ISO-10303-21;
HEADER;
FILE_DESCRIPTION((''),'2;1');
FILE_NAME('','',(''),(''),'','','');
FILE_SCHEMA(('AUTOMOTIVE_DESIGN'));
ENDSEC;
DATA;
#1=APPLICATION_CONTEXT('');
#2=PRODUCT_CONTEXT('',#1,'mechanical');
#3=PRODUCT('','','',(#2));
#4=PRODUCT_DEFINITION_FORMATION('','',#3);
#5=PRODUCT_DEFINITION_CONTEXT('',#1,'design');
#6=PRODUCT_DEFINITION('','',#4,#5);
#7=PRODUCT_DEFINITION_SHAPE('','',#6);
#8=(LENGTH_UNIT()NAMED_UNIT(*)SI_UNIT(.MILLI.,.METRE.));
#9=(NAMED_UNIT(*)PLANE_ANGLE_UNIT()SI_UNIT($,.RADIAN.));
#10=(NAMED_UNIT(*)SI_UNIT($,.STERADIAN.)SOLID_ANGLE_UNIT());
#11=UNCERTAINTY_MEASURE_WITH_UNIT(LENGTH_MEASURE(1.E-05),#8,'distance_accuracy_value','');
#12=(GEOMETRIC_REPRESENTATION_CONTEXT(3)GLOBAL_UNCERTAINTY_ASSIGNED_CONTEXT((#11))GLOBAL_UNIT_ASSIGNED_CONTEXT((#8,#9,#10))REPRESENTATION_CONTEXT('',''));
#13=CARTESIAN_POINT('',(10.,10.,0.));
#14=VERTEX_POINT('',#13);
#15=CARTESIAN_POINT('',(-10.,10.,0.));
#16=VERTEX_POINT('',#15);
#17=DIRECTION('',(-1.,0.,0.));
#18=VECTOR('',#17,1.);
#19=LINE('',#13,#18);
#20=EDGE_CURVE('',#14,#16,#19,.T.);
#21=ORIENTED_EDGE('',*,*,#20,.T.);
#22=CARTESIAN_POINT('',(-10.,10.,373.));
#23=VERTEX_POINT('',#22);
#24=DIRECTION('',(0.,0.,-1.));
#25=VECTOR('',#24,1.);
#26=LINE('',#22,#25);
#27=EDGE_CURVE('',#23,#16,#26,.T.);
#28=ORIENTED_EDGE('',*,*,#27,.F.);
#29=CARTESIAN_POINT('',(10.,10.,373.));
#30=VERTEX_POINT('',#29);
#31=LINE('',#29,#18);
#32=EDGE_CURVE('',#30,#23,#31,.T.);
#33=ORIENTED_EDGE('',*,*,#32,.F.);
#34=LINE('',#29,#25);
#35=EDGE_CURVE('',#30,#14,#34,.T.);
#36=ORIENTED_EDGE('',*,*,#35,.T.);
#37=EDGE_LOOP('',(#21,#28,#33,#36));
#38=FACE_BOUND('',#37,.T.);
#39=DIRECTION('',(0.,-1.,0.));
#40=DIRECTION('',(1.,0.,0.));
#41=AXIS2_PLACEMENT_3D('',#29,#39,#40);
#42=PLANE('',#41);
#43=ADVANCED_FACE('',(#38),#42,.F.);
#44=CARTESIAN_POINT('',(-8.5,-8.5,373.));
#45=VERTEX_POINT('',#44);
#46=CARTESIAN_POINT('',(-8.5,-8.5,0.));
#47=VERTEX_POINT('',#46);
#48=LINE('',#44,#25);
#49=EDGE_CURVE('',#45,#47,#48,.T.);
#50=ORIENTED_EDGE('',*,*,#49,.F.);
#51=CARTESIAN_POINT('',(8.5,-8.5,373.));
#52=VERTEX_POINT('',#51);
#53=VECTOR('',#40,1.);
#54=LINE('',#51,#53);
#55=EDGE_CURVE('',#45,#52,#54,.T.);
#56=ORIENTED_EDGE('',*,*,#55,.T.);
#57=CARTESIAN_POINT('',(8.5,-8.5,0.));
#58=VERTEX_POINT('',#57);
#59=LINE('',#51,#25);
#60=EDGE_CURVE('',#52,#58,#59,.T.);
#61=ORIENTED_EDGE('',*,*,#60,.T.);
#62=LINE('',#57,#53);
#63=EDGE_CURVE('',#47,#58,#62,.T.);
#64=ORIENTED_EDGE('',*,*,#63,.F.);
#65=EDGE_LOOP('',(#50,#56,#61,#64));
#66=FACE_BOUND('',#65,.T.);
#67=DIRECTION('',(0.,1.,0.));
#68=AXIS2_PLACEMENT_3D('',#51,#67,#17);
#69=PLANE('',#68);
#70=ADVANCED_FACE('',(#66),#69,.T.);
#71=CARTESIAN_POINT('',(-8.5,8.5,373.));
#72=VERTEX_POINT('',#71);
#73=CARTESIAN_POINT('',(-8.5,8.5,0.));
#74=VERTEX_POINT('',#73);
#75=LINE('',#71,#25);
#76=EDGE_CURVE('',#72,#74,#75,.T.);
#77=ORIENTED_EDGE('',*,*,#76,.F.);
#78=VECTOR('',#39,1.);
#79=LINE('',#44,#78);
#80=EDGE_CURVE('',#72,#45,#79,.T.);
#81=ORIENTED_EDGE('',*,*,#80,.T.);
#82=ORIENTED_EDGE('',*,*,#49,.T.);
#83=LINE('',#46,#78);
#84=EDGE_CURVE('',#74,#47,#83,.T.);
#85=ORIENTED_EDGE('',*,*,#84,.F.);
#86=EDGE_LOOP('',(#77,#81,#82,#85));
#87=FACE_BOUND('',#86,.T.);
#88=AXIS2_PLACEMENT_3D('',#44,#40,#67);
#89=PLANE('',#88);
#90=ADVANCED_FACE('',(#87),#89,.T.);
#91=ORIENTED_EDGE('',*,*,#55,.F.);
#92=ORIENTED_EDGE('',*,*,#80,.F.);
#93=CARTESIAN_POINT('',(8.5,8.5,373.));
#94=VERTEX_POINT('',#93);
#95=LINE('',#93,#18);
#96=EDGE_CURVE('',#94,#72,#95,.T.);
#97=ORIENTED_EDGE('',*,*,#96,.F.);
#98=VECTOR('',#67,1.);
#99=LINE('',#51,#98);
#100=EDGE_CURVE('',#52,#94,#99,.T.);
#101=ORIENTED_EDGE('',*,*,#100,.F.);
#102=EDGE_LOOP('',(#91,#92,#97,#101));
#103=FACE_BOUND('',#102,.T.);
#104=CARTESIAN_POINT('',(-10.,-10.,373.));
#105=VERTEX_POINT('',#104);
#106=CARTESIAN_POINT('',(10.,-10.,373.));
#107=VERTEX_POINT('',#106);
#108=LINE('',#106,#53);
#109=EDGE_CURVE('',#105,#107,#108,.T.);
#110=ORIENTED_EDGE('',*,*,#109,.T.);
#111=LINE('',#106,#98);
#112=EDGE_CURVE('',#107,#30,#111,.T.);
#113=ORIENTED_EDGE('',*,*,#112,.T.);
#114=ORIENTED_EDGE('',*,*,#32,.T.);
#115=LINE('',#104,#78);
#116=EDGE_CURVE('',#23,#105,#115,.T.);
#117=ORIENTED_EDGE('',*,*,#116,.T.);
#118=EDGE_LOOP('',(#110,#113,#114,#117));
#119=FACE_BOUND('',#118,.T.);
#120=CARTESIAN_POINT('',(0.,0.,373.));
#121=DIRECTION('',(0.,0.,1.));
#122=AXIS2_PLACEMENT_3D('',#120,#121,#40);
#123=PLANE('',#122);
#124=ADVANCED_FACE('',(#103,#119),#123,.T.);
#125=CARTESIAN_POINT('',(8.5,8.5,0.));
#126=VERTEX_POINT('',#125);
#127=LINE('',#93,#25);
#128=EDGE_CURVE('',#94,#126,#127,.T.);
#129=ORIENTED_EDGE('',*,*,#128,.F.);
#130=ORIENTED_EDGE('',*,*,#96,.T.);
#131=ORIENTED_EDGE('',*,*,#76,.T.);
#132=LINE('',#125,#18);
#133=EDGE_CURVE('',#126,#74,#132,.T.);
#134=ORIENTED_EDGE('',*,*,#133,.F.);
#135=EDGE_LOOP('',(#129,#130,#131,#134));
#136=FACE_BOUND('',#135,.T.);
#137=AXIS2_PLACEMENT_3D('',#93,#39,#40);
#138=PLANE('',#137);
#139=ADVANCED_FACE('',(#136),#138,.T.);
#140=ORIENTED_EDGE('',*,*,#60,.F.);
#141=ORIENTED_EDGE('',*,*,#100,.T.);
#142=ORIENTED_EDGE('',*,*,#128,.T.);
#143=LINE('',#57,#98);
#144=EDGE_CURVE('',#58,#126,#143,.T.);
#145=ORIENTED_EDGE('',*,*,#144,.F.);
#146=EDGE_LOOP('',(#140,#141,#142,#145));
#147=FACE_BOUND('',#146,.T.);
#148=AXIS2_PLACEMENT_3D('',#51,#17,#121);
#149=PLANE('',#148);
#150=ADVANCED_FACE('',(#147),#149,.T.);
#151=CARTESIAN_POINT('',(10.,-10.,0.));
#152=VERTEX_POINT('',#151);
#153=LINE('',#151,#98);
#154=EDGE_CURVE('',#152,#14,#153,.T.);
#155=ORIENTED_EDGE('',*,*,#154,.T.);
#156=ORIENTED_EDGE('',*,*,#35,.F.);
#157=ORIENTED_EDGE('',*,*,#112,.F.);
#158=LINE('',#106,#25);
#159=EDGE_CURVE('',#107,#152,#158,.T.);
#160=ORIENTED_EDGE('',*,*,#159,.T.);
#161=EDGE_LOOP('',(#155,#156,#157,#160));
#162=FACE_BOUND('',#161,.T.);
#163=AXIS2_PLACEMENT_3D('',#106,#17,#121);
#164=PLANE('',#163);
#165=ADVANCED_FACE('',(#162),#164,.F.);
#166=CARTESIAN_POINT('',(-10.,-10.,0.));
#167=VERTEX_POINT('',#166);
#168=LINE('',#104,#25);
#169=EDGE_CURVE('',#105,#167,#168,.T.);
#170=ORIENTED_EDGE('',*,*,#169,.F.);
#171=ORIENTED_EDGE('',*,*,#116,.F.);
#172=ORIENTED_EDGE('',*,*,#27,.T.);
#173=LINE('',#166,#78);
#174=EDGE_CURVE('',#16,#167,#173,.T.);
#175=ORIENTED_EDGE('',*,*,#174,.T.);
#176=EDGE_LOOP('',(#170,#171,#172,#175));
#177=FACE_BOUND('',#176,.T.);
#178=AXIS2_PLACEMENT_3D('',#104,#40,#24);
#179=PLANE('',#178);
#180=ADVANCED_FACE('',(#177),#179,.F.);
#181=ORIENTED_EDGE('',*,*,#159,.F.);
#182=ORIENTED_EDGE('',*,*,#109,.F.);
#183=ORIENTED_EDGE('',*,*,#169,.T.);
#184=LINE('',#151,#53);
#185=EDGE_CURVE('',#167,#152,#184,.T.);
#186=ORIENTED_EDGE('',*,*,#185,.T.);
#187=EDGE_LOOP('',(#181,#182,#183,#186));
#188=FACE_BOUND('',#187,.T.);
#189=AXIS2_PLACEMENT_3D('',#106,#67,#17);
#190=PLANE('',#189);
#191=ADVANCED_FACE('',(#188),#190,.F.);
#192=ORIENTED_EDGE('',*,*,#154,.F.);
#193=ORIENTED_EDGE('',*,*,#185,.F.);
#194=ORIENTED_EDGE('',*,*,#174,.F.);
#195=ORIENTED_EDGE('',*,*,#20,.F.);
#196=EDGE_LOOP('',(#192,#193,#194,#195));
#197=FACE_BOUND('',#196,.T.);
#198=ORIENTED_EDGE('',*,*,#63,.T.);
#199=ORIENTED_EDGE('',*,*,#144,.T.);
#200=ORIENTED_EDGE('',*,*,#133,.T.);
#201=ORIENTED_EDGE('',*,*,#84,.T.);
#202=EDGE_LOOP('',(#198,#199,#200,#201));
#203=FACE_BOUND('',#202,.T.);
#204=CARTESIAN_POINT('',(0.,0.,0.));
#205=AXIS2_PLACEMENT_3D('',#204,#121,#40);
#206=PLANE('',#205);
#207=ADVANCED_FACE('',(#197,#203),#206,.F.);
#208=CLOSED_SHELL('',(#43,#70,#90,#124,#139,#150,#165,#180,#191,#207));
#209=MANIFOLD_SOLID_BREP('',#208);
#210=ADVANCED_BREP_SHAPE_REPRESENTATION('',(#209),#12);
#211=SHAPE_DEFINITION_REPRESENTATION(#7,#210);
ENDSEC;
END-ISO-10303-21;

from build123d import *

# Parameters (mm, degrees)
SZKIC1_W                    = 20
SZKIC1_H                    = 20
SZKIC1_W_2                  = 17
SZKIC1_H_2                  = 17
DODANIE_WYCI_GNI_CIE1_DEPTH = 373


with BuildPart() as part:
    # Szkic1 → Dodanie-wyciągnięcie1 (new body)
    with BuildSketch(Plane.XY):
        Rectangle(SZKIC1_W, SZKIC1_H)
        Rectangle(SZKIC1_W_2, SZKIC1_H_2, mode=Mode.SUBTRACT)
    extrude(amount=DODANIE_WYCI_GNI_CIE1_DEPTH)


solid = part.part
